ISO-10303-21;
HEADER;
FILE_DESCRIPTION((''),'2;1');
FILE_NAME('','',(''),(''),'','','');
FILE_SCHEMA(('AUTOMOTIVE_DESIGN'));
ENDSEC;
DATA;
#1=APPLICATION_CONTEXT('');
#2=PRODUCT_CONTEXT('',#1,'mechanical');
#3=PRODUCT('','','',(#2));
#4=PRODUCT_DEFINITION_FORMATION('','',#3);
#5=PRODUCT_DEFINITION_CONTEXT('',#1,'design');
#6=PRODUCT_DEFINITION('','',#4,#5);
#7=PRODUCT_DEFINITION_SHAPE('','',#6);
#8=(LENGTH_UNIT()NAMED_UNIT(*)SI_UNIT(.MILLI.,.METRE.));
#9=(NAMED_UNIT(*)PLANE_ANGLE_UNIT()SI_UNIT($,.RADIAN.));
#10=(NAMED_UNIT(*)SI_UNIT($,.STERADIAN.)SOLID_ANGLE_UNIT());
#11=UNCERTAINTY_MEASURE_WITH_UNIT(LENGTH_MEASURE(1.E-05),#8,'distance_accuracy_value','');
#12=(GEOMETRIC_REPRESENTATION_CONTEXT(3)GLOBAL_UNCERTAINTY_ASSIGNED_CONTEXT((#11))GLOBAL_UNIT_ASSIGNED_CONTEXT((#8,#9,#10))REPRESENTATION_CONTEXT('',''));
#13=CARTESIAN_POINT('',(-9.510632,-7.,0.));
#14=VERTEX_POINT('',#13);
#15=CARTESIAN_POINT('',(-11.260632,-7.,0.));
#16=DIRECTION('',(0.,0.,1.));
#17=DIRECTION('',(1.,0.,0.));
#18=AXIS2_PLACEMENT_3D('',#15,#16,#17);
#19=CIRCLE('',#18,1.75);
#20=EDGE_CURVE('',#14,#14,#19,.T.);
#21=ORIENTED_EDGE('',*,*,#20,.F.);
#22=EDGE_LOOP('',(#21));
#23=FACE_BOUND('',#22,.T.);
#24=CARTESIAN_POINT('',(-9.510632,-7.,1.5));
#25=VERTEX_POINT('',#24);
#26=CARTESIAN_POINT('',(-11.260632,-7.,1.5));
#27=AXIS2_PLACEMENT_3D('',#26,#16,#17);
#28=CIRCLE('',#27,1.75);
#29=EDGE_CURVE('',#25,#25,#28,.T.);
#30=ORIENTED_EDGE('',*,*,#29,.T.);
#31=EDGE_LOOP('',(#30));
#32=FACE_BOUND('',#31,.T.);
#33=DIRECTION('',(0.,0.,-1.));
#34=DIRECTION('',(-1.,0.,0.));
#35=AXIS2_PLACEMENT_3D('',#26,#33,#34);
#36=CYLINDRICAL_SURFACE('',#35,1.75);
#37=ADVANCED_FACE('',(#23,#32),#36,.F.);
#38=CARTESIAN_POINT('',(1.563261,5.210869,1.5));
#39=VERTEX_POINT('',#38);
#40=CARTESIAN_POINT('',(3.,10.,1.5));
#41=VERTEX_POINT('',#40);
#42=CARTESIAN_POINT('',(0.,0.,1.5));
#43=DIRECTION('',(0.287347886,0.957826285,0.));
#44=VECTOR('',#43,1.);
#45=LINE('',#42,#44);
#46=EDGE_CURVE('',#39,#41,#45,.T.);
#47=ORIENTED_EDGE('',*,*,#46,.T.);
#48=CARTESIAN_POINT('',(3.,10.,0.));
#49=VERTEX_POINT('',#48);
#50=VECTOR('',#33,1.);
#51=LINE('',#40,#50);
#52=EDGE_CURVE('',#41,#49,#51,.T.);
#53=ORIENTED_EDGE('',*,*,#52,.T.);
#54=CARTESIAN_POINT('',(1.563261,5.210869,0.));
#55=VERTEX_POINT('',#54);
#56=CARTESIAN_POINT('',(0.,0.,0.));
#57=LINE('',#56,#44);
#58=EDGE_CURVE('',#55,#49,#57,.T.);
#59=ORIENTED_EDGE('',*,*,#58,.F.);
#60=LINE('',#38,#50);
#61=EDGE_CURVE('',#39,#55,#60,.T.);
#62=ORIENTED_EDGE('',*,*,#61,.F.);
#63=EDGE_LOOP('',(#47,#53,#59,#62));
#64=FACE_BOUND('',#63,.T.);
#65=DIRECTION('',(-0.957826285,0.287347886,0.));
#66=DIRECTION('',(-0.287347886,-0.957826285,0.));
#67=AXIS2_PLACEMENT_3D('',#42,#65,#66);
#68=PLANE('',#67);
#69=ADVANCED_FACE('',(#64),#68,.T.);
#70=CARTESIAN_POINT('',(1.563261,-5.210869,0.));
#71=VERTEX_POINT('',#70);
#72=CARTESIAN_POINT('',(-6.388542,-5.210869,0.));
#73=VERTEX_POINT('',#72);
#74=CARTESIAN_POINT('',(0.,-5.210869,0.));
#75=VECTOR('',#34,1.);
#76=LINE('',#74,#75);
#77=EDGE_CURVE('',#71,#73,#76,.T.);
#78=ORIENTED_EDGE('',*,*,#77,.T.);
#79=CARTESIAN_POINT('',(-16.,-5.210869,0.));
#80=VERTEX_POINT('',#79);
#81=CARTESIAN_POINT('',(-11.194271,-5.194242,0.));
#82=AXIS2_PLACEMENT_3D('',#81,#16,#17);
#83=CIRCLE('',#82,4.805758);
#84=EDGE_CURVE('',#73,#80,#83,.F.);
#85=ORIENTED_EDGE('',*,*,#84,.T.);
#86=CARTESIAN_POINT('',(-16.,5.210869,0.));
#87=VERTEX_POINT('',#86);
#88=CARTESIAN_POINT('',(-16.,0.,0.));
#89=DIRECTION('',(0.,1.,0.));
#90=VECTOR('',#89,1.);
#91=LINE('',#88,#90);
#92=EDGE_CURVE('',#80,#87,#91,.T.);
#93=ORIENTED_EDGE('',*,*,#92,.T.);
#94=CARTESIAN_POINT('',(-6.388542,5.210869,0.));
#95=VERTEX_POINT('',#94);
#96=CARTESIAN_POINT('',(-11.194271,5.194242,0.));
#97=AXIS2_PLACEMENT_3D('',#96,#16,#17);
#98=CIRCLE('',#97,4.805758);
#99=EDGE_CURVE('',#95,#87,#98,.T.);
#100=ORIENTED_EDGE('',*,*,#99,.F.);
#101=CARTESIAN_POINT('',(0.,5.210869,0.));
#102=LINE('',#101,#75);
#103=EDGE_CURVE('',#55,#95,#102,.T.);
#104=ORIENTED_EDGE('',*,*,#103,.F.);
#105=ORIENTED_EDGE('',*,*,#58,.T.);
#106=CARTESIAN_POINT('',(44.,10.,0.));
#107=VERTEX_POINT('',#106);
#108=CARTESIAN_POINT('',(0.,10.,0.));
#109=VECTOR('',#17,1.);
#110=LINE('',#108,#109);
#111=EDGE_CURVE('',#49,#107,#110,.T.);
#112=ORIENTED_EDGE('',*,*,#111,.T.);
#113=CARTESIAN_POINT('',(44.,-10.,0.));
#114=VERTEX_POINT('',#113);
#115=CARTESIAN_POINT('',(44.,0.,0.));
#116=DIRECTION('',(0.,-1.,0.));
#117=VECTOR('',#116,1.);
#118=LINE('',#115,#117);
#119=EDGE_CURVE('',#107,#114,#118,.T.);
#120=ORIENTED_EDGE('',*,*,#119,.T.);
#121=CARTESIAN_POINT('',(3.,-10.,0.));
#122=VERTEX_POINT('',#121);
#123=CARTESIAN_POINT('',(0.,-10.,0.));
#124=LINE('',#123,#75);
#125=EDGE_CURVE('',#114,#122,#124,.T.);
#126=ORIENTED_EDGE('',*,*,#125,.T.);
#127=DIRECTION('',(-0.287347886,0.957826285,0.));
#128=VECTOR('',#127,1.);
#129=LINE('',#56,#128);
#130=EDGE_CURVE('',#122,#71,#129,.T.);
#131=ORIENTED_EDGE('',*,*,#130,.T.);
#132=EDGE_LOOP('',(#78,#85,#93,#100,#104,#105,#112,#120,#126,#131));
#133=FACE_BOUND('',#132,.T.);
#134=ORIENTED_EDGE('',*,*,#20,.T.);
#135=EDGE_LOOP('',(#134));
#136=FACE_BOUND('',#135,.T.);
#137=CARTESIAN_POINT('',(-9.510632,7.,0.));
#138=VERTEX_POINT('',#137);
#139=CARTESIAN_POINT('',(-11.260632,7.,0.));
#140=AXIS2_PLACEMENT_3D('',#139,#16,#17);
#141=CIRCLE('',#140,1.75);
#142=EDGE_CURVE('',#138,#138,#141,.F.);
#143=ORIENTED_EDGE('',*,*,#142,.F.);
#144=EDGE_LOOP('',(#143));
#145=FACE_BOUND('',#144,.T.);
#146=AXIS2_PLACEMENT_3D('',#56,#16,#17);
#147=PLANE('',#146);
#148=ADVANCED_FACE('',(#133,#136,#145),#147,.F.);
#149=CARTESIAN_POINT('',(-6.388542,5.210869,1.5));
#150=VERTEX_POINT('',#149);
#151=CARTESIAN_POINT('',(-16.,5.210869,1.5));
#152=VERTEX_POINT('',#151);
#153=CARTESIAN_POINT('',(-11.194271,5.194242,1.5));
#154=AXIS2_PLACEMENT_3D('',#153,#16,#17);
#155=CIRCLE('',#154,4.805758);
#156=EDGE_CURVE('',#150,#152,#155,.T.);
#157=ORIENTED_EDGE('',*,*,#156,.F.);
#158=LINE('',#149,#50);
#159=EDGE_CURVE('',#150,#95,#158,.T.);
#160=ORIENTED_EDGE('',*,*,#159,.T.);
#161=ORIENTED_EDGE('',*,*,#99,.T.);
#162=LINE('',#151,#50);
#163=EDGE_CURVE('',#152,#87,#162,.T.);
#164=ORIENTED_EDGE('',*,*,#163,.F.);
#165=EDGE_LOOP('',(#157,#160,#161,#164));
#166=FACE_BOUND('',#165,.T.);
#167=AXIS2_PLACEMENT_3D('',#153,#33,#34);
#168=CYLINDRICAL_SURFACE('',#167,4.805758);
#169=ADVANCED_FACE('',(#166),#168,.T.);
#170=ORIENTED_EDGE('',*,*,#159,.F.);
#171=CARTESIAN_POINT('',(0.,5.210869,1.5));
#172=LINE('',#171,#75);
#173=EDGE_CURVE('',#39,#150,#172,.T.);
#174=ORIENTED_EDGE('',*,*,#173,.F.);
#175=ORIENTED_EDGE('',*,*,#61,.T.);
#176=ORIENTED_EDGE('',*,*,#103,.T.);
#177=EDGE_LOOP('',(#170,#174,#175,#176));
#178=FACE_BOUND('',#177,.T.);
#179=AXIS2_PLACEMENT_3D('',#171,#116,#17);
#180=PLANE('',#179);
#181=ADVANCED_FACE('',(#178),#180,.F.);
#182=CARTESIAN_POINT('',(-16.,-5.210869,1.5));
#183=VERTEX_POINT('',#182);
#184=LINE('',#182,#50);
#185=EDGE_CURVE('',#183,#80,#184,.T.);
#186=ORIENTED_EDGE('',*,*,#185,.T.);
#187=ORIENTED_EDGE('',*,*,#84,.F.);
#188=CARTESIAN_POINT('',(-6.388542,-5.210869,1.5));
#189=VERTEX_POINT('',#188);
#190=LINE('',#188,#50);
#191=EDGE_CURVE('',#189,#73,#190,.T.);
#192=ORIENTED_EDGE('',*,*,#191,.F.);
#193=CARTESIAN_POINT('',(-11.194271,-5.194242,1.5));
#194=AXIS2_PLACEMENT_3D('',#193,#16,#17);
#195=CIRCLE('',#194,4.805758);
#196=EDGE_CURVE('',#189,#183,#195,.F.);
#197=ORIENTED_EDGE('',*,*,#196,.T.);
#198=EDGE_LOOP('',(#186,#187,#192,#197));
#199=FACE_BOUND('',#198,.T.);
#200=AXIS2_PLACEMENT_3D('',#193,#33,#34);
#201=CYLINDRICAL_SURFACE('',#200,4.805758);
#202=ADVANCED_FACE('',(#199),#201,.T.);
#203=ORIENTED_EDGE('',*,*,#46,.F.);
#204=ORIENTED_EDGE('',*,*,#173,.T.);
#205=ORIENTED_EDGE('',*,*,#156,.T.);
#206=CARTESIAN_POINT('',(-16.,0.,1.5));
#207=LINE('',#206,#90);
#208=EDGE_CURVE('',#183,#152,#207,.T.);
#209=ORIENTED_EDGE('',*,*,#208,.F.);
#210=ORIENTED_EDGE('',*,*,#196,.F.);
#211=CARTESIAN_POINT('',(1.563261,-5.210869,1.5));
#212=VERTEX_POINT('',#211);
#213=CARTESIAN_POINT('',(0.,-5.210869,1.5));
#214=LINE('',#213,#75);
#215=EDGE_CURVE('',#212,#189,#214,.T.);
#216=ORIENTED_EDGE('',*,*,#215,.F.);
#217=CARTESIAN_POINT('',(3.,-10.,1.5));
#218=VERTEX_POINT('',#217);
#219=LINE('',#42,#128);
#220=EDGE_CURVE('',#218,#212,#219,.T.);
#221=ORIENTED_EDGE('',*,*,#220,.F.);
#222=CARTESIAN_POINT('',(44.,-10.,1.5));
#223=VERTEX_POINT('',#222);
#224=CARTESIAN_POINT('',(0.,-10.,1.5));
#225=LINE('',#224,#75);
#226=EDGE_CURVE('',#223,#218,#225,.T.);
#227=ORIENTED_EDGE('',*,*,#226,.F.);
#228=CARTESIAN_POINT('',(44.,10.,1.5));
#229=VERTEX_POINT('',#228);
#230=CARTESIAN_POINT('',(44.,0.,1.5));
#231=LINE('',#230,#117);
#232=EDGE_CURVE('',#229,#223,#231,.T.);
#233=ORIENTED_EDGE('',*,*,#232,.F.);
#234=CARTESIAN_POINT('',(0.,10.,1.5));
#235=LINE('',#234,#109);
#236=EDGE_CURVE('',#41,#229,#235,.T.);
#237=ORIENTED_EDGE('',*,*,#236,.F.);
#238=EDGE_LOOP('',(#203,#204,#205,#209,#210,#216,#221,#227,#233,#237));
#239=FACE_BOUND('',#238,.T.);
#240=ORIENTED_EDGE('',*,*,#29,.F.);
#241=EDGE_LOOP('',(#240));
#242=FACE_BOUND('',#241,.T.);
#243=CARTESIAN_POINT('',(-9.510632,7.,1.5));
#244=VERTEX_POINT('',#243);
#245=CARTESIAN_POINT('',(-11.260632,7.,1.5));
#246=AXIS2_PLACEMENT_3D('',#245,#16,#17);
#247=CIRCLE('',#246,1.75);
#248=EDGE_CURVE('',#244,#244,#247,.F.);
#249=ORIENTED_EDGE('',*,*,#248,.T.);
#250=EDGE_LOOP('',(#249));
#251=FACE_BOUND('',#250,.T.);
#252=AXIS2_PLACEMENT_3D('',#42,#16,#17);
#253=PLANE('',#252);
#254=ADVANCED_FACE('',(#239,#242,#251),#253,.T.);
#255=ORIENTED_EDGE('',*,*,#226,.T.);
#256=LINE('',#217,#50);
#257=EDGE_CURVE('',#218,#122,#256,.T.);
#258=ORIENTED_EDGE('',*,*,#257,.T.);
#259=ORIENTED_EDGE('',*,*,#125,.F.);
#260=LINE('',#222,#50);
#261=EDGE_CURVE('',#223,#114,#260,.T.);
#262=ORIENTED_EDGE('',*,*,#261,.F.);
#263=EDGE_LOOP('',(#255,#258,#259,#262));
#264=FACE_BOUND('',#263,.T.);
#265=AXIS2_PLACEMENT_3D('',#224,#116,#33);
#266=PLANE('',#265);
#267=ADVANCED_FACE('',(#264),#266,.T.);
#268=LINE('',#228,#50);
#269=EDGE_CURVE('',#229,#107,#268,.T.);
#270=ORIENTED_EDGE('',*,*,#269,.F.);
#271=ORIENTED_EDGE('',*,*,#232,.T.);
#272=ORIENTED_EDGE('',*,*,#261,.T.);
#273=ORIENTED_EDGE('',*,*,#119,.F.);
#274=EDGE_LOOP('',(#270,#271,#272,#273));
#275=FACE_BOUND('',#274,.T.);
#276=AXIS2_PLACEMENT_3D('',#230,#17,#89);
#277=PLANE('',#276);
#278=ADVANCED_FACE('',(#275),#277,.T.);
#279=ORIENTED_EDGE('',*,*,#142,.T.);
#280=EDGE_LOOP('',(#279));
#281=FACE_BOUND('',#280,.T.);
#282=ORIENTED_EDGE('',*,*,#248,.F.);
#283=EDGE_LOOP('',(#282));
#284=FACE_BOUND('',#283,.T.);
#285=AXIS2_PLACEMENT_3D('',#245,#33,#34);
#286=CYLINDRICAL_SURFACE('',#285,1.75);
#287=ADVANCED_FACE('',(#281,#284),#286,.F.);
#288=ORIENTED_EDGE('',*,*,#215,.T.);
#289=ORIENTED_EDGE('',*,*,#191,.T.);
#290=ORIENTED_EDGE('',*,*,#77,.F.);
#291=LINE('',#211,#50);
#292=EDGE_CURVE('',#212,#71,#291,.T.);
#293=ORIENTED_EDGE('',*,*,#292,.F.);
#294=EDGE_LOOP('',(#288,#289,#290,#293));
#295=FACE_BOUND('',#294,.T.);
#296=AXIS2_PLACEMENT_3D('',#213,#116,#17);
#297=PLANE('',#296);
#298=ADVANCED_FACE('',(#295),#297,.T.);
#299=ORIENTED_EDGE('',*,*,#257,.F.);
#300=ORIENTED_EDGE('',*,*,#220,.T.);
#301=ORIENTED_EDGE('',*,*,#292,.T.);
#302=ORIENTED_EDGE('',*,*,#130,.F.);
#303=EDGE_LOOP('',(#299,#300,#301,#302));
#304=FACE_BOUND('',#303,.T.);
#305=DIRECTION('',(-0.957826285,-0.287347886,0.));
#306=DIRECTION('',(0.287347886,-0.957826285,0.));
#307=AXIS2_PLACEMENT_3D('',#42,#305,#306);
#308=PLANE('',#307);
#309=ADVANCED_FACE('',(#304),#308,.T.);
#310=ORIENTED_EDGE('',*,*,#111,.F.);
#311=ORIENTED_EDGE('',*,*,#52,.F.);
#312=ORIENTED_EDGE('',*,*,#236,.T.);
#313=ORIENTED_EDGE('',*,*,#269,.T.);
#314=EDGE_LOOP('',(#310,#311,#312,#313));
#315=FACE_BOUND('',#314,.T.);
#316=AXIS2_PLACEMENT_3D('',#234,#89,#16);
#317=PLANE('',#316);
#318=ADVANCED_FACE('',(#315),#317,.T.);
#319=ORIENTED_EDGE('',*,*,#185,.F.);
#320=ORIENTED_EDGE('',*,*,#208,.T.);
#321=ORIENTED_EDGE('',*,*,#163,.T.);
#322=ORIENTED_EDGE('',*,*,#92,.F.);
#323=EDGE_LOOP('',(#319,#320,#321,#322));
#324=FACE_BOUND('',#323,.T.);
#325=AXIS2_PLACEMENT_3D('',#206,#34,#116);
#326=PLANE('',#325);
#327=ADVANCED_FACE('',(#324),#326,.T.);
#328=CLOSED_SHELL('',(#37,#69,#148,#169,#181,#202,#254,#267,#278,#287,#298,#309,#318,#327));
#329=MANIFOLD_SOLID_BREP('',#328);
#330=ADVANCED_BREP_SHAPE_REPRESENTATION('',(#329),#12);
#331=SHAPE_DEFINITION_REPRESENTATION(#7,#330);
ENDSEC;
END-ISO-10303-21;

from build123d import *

# Parameters (mm, degrees)
SKETCH1_R           = 1.75
BOSS_EXTRUDE1_DEPTH = 1.5


with BuildPart() as part:
    # Sketch1 → Boss-Extrude1 (new body)
    # profile 1 of 3: a face of its own
    with BuildSketch(Plane.XY):
        Polygon((44, 0), (0, 0), (1.563260572, -5.210868574), (3, -10), (44, -10), align=None)
    # profile 2 of 3: a face of its own
    with BuildSketch(Plane.XY):
        Polygon((1.563260572, 5.210868574), (0, 0), (44, 0), (44, 10), (3, 10), align=None)
    # profile 3 of 3: a face of its own
    with BuildSketch(Plane.XY):
        with BuildLine():
            Line((1.563260572, -5.210868574), (0, 0))
            Line((0, 0), (1.563260572, 5.210868574))
            Line((1.563260572, 5.210868574), (-6.388542044, 5.210868574))
            ThreePointArc((-6.388542044, 5.210868574), (-11.194271022, 10), (-16, 5.210868574))
            Line((-16, 5.210868574), (-16, -5.210868574))
            ThreePointArc((-16, -5.210868574), (-11.194271022, -10), (-6.388542044, -5.210868574))
            Line((-6.388542044, -5.210868574), (1.563260572, -5.210868574))
        make_face()
        with Locations((-11.260632468, -7)):
            Circle(SKETCH1_R, mode=Mode.SUBTRACT)
        with Locations((-11.260632468, 7)):
            Circle(SKETCH1_R, mode=Mode.SUBTRACT)
    extrude(amount=BOSS_EXTRUDE1_DEPTH)


solid = part.part
